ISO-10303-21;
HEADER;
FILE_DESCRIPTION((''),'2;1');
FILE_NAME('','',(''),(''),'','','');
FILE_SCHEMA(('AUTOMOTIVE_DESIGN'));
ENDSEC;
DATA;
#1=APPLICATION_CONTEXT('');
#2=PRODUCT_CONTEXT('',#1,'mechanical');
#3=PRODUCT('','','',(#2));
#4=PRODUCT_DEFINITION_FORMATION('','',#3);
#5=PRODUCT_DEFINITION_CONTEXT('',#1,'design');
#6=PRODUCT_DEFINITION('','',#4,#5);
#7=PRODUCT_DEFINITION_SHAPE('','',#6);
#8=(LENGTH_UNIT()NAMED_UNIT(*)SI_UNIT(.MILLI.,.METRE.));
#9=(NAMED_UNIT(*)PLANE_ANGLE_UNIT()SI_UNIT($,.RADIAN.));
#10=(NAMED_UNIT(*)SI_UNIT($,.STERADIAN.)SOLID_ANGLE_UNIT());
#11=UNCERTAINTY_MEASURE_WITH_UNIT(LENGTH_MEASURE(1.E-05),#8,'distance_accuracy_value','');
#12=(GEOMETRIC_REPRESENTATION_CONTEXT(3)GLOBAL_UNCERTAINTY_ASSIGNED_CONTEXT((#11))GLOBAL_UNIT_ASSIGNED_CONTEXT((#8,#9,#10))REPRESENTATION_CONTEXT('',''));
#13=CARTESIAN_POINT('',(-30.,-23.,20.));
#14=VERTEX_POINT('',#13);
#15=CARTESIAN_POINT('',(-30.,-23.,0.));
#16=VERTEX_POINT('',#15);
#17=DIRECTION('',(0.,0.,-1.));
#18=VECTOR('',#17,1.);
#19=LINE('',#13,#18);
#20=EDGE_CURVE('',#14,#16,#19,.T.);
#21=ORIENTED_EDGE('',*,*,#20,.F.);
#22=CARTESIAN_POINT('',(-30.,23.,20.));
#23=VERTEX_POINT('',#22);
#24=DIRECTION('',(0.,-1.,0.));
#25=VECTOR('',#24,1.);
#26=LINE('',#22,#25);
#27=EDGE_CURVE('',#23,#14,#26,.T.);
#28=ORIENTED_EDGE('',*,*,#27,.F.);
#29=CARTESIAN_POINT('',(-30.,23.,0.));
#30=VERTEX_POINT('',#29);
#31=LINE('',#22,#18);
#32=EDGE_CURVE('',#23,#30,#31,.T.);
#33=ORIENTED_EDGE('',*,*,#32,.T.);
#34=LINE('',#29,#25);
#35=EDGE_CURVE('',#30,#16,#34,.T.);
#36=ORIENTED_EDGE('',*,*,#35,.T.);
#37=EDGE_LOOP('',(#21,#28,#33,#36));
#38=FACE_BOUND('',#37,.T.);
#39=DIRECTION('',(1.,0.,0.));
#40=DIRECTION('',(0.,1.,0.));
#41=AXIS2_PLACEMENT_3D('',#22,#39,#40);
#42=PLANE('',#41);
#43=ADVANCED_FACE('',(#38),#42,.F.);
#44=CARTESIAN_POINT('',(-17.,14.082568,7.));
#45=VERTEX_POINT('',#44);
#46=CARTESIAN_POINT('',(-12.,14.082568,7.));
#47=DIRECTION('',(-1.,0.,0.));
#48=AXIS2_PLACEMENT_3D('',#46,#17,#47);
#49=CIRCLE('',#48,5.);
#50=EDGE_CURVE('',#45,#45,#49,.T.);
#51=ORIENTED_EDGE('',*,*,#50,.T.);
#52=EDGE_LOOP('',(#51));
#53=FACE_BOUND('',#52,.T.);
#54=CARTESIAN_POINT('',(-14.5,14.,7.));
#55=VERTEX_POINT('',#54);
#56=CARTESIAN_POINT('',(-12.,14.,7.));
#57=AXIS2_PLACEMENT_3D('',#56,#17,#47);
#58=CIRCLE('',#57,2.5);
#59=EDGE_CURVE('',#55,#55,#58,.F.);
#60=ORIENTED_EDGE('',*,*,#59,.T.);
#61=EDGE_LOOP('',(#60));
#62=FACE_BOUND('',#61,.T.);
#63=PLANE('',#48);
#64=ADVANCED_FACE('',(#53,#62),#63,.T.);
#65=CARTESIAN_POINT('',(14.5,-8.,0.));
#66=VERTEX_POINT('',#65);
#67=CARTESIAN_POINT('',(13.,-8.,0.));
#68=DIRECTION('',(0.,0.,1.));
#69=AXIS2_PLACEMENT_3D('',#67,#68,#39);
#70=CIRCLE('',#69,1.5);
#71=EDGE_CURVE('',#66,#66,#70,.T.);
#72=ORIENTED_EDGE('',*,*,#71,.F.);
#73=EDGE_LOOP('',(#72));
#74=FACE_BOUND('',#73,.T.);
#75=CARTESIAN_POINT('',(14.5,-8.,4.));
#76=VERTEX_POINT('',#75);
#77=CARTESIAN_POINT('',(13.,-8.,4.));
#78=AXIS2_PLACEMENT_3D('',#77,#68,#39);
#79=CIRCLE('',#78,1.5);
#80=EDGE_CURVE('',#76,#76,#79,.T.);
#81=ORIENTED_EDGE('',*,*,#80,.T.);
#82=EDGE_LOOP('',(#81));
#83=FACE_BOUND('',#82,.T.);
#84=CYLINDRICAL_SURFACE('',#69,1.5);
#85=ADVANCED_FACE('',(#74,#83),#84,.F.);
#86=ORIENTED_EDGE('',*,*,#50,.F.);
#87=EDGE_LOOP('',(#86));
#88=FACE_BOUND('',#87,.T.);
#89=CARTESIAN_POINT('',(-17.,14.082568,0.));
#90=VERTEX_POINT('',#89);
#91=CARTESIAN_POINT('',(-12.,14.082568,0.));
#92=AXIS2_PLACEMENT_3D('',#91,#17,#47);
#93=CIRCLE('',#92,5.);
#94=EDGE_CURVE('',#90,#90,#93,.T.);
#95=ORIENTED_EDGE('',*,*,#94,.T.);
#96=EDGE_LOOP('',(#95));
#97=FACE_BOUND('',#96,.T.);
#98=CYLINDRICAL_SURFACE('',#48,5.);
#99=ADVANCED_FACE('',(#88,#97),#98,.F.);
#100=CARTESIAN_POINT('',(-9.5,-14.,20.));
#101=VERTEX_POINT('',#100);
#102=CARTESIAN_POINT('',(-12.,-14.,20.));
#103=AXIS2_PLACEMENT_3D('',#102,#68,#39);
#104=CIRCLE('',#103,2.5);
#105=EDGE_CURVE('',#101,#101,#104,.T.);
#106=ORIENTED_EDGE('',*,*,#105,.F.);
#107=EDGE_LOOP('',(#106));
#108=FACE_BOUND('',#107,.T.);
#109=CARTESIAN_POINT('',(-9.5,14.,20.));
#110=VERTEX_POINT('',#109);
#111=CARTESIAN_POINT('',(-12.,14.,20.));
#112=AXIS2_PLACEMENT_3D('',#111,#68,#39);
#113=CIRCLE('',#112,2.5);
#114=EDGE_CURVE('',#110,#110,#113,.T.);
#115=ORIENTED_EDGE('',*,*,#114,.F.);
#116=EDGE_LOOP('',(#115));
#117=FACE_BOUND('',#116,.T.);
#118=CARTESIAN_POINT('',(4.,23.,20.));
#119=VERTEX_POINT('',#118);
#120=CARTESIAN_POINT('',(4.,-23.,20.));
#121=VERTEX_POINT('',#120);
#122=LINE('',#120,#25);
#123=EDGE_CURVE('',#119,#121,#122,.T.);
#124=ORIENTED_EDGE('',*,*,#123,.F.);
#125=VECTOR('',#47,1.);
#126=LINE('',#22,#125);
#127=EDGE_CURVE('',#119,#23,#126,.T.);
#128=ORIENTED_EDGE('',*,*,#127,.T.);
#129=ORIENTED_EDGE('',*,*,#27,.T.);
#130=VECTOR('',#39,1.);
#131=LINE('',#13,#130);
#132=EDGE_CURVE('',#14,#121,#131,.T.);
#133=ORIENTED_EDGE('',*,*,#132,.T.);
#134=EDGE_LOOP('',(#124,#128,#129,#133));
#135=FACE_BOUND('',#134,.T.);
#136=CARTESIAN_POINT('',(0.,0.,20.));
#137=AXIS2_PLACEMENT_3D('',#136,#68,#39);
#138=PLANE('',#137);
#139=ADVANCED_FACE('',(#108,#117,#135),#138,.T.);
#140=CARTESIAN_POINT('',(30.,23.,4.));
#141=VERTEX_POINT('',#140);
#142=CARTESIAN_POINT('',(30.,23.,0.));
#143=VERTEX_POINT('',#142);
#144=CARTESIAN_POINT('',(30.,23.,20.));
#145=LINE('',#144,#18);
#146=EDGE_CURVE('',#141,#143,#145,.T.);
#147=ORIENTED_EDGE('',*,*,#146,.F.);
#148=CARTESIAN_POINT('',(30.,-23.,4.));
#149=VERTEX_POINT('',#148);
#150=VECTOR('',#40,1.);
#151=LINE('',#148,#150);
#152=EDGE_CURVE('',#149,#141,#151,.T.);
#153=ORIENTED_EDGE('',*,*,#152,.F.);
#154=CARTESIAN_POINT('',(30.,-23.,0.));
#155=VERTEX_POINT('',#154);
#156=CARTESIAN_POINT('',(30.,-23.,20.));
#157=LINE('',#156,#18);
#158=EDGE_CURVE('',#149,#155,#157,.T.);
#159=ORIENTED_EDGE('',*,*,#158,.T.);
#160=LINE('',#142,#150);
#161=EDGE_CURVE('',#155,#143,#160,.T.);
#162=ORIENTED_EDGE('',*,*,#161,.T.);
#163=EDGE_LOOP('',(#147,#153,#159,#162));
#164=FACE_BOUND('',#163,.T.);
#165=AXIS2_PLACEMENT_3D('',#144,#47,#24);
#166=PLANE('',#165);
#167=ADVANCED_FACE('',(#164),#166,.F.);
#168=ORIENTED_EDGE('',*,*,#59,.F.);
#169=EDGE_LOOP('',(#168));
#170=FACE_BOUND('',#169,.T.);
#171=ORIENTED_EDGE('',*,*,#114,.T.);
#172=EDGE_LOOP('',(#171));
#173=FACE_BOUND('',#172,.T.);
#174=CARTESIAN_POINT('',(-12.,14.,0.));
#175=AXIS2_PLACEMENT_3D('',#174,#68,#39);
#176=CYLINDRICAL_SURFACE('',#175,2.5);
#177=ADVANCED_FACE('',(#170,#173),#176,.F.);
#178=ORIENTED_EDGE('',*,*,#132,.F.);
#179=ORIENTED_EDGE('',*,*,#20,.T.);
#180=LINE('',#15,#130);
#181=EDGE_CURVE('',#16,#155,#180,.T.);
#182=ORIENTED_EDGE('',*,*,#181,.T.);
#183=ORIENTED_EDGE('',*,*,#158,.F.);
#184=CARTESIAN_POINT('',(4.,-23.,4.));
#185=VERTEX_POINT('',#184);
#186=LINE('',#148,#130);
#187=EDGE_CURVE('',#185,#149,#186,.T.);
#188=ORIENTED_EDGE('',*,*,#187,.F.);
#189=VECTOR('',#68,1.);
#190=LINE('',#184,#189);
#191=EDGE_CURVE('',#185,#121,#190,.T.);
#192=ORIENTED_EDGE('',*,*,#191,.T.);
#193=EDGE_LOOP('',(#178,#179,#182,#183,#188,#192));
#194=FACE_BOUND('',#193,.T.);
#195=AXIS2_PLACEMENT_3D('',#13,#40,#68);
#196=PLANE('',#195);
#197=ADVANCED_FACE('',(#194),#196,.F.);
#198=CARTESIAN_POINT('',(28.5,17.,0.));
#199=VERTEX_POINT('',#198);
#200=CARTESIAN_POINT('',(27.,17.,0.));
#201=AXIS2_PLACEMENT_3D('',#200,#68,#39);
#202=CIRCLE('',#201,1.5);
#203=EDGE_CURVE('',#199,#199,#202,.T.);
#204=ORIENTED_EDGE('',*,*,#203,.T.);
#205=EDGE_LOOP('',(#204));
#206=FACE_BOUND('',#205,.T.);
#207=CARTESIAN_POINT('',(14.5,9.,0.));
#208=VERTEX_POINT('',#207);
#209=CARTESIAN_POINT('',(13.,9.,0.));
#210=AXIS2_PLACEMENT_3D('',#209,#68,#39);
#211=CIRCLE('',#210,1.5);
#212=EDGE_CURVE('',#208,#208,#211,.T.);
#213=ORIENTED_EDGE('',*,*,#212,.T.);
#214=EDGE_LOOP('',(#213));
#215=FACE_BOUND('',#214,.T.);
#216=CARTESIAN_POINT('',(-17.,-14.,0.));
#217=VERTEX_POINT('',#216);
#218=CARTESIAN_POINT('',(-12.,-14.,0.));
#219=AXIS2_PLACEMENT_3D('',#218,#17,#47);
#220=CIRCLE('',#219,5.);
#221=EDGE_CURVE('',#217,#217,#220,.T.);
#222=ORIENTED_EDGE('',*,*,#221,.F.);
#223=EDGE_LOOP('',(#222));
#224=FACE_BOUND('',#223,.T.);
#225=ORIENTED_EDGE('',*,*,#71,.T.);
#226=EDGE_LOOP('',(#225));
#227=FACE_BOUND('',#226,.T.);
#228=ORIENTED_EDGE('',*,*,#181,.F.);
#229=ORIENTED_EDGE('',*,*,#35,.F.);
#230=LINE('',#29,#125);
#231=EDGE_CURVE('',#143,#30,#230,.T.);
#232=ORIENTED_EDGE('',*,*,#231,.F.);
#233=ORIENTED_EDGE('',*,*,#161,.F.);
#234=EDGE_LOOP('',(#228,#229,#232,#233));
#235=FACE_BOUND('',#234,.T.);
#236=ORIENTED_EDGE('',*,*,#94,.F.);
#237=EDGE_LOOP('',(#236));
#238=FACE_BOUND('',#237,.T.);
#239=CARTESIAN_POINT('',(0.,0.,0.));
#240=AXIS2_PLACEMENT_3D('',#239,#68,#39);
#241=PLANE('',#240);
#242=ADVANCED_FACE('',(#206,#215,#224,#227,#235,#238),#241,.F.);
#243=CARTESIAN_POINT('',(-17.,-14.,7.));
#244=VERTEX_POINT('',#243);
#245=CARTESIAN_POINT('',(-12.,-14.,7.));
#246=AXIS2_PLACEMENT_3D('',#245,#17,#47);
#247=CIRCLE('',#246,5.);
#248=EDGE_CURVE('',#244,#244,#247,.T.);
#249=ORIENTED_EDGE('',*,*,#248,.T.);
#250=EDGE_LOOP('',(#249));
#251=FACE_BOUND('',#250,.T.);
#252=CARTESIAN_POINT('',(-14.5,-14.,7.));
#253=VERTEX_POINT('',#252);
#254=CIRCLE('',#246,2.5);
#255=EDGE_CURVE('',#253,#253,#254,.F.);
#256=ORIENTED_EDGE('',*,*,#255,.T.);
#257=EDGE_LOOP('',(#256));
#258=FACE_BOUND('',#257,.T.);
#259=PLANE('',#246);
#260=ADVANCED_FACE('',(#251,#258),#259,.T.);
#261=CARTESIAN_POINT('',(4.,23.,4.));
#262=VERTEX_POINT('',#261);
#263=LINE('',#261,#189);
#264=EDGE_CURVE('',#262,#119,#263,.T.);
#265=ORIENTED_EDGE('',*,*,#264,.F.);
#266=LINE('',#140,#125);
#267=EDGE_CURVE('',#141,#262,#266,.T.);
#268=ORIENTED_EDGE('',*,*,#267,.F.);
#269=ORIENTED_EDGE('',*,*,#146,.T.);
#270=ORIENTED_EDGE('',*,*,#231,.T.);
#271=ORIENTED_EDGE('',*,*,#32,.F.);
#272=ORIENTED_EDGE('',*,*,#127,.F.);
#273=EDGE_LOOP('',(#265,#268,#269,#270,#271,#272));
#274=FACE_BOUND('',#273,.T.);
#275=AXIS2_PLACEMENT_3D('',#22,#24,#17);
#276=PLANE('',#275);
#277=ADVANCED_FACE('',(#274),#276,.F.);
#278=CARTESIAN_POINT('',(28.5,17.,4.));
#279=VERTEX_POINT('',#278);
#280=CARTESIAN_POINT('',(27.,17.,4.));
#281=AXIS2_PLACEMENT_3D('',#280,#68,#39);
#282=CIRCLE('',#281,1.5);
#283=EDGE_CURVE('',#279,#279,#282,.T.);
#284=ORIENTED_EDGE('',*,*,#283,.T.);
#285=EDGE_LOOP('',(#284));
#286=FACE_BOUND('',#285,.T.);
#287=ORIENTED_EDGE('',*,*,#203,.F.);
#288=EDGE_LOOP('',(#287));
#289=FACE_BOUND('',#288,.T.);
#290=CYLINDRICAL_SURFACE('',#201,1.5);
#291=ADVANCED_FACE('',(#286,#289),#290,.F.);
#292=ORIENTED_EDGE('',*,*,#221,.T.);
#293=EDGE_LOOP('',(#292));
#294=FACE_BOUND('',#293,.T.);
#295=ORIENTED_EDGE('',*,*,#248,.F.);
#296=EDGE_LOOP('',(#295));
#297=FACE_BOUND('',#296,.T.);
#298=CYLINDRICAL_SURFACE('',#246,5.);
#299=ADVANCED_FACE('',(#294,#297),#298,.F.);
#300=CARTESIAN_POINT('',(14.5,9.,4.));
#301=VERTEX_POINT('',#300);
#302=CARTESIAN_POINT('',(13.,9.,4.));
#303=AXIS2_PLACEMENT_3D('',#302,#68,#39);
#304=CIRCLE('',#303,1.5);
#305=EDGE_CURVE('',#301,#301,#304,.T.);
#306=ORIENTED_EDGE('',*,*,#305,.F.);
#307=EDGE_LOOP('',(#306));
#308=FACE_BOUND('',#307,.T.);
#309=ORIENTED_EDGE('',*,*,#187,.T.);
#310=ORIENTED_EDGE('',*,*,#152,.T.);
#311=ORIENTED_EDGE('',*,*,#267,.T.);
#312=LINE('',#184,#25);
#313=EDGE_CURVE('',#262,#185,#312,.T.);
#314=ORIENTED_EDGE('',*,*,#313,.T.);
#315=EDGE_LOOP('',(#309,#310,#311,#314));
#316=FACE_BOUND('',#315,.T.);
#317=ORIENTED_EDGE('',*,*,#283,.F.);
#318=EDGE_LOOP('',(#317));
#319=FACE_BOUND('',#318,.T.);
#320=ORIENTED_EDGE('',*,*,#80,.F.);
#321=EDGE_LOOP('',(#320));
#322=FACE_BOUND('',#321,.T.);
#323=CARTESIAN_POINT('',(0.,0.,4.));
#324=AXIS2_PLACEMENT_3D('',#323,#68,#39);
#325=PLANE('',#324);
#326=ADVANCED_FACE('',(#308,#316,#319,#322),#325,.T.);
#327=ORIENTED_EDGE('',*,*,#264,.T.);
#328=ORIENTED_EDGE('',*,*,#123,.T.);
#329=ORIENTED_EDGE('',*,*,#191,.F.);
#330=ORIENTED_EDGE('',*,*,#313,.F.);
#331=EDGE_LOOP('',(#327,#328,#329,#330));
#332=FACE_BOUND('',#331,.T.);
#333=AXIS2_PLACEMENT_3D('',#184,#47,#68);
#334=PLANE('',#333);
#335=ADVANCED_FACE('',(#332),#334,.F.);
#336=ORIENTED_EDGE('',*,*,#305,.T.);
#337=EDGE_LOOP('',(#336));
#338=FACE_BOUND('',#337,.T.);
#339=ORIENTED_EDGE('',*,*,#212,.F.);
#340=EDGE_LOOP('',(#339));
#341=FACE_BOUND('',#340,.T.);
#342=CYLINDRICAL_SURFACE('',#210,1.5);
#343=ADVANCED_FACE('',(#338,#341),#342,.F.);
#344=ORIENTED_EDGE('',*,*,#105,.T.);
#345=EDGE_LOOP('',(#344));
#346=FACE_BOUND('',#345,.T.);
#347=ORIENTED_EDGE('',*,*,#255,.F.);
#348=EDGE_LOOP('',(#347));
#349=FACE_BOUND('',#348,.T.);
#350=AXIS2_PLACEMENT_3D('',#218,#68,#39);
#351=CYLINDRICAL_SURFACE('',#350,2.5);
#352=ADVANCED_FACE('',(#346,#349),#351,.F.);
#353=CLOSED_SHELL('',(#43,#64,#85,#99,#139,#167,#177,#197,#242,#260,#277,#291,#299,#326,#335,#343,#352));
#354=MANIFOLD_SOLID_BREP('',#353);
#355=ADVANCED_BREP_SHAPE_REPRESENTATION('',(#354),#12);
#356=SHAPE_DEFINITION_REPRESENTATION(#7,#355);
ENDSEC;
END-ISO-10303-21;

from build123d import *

# Parameters (mm, degrees)
ESBO_O1_W                = 60
ESBO_O1_H                = 46
RESSALTO_EXTRUS_O1_DEPTH = 20
ESBO_O2_W                = 26
ESBO_O2_H                = 46
CORTE_EXTRUS_O1_DEPTH    = 16
ESBO_O5_R                = 1.5
CORTE_EXTRUS_O3_DEPTH    = 5
ESBO_O8_R                = 2.5
CORTE_EXTRUS_O5_DEPTH    = 21
ESBO_O9_R                = 5
CORTE_EXTRUS_O6_DEPTH    = 7


with BuildPart() as part:
    # Esboço1 → Ressalto-extrusão1 (new body)
    with BuildSketch(Plane.XY):
        Rectangle(ESBO_O1_W, ESBO_O1_H)
    extrude(amount=RESSALTO_EXTRUS_O1_DEPTH)

    # Esboço2 → Corte-extrusão1 (cut)
    with BuildSketch(Plane.XY.offset(20)):
        with Locations((17, 0)):
            Rectangle(ESBO_O2_W, ESBO_O2_H)
    extrude(amount=-CORTE_EXTRUS_O1_DEPTH, mode=Mode.SUBTRACT)

    # Esboço5 → Corte-extrusão3 (cut, through all)
    with BuildSketch(Plane.XY.offset(4)):
        with Locations((13, 9)):
            Circle(ESBO_O5_R)
        with Locations((13, -8)):
            Circle(ESBO_O5_R)
        with Locations((27, 17)):
            Circle(ESBO_O5_R)
    extrude(amount=-CORTE_EXTRUS_O3_DEPTH, mode=Mode.SUBTRACT)

    # Esboço8 → Corte-extrusão5 (cut, through all)
    with BuildSketch(Plane.XY.offset(20)):
        with Locations((-12, -14)):
            Circle(ESBO_O8_R)
        with Locations((-12, 14)):
            Circle(ESBO_O8_R)
    extrude(amount=-CORTE_EXTRUS_O5_DEPTH, mode=Mode.SUBTRACT)

    # Esboço9 → Corte-extrusão6 (cut)
    with BuildSketch(Plane(origin=(0, 0, 0), x_dir=(-1, 0, 0), z_dir=(0, 0, -1))):
        with Locations((12, -14)):
            Circle(ESBO_O9_R)
        with Locations((12, 14.082568483)):
            Circle(ESBO_O9_R)
    extrude(amount=-CORTE_EXTRUS_O6_DEPTH, mode=Mode.SUBTRACT)


solid = part.part
